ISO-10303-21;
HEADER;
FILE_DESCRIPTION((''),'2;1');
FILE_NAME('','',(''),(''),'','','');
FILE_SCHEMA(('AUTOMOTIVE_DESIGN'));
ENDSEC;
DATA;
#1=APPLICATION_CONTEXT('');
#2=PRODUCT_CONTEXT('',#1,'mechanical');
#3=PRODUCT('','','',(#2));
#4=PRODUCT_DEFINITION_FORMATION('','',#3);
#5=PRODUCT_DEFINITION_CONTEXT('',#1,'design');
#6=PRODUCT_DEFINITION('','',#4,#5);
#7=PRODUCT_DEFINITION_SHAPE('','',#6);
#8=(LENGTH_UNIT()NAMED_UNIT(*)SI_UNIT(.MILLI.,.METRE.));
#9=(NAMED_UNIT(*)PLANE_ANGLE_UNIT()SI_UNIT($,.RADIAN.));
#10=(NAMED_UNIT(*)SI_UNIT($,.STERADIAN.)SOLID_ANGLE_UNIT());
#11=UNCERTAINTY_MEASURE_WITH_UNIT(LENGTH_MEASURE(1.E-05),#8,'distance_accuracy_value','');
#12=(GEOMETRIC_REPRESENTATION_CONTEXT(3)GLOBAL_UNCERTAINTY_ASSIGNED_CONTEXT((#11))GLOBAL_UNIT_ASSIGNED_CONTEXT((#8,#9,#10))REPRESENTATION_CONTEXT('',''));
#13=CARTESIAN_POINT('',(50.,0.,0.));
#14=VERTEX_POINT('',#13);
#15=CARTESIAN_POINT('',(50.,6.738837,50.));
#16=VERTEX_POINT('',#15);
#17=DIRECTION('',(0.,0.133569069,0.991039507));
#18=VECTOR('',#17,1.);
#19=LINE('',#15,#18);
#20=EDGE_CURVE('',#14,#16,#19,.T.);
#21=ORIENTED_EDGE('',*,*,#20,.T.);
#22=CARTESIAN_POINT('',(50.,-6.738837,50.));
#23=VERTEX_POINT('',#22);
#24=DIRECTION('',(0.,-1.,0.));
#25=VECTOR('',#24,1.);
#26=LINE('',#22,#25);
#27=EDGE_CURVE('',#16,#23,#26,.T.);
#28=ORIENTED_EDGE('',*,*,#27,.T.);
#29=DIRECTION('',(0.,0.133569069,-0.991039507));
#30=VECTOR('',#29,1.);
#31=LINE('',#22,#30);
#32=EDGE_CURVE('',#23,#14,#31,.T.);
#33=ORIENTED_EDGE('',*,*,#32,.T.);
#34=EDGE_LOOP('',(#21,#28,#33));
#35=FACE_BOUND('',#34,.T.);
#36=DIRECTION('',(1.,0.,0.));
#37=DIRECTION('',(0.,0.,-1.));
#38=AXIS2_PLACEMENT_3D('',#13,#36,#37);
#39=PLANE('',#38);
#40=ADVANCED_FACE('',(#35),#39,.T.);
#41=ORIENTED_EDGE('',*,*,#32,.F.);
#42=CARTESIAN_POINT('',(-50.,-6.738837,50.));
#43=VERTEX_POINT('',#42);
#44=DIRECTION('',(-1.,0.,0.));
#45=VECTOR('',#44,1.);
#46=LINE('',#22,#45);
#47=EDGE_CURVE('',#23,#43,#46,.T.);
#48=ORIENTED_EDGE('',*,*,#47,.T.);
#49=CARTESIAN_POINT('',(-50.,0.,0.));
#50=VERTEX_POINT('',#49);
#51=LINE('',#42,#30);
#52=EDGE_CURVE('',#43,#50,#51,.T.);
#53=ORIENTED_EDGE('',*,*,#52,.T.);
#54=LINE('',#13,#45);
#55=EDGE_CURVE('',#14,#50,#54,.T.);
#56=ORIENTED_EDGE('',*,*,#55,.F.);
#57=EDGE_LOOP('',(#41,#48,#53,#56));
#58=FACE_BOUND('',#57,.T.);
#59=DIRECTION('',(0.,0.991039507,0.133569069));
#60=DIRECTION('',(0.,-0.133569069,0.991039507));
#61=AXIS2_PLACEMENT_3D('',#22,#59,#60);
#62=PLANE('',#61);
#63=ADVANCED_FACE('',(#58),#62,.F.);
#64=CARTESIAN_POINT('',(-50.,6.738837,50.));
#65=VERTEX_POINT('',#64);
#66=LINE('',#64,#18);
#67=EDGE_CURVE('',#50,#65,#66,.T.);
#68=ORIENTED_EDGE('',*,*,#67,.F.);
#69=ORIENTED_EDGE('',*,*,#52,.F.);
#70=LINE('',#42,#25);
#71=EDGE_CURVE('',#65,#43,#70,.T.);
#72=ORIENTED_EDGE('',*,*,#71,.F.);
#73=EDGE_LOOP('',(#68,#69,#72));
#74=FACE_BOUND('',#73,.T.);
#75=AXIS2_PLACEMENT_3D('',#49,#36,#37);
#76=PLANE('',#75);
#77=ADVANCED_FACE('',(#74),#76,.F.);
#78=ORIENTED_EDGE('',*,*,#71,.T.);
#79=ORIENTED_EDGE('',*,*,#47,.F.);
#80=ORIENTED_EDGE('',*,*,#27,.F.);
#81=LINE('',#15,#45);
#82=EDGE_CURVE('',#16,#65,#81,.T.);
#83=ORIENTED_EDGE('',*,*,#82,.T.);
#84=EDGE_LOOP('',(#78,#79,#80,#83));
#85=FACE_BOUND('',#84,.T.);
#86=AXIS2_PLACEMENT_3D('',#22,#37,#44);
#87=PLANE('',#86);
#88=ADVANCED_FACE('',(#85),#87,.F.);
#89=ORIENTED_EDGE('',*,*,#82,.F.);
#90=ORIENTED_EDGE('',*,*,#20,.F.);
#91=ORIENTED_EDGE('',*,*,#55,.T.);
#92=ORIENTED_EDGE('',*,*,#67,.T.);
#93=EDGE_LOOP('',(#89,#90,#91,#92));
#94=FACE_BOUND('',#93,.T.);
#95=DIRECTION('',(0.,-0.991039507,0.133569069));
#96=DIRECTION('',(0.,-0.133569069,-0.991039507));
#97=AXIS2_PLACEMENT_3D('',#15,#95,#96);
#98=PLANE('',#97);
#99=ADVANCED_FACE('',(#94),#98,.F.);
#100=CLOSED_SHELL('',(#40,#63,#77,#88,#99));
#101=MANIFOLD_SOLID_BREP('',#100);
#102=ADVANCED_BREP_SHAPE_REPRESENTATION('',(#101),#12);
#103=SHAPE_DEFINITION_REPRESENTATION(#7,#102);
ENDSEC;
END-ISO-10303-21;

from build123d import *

# Parameters (mm, degrees)
BOSS_EXTRUDE1_DEPTH = 50


with BuildPart() as part:
    # aileron_root → Boss-Extrude1 (new, symmetric)
    with BuildSketch(Plane(origin=(0, 0, 0), x_dir=(0, 0, -1), z_dir=(1, 0, 0))):
        Polygon((-50, -6.738836743), (-50, 6.738836743), (0, 0), align=None)
    extrude(amount=BOSS_EXTRUDE1_DEPTH, both=True)


solid = part.part
